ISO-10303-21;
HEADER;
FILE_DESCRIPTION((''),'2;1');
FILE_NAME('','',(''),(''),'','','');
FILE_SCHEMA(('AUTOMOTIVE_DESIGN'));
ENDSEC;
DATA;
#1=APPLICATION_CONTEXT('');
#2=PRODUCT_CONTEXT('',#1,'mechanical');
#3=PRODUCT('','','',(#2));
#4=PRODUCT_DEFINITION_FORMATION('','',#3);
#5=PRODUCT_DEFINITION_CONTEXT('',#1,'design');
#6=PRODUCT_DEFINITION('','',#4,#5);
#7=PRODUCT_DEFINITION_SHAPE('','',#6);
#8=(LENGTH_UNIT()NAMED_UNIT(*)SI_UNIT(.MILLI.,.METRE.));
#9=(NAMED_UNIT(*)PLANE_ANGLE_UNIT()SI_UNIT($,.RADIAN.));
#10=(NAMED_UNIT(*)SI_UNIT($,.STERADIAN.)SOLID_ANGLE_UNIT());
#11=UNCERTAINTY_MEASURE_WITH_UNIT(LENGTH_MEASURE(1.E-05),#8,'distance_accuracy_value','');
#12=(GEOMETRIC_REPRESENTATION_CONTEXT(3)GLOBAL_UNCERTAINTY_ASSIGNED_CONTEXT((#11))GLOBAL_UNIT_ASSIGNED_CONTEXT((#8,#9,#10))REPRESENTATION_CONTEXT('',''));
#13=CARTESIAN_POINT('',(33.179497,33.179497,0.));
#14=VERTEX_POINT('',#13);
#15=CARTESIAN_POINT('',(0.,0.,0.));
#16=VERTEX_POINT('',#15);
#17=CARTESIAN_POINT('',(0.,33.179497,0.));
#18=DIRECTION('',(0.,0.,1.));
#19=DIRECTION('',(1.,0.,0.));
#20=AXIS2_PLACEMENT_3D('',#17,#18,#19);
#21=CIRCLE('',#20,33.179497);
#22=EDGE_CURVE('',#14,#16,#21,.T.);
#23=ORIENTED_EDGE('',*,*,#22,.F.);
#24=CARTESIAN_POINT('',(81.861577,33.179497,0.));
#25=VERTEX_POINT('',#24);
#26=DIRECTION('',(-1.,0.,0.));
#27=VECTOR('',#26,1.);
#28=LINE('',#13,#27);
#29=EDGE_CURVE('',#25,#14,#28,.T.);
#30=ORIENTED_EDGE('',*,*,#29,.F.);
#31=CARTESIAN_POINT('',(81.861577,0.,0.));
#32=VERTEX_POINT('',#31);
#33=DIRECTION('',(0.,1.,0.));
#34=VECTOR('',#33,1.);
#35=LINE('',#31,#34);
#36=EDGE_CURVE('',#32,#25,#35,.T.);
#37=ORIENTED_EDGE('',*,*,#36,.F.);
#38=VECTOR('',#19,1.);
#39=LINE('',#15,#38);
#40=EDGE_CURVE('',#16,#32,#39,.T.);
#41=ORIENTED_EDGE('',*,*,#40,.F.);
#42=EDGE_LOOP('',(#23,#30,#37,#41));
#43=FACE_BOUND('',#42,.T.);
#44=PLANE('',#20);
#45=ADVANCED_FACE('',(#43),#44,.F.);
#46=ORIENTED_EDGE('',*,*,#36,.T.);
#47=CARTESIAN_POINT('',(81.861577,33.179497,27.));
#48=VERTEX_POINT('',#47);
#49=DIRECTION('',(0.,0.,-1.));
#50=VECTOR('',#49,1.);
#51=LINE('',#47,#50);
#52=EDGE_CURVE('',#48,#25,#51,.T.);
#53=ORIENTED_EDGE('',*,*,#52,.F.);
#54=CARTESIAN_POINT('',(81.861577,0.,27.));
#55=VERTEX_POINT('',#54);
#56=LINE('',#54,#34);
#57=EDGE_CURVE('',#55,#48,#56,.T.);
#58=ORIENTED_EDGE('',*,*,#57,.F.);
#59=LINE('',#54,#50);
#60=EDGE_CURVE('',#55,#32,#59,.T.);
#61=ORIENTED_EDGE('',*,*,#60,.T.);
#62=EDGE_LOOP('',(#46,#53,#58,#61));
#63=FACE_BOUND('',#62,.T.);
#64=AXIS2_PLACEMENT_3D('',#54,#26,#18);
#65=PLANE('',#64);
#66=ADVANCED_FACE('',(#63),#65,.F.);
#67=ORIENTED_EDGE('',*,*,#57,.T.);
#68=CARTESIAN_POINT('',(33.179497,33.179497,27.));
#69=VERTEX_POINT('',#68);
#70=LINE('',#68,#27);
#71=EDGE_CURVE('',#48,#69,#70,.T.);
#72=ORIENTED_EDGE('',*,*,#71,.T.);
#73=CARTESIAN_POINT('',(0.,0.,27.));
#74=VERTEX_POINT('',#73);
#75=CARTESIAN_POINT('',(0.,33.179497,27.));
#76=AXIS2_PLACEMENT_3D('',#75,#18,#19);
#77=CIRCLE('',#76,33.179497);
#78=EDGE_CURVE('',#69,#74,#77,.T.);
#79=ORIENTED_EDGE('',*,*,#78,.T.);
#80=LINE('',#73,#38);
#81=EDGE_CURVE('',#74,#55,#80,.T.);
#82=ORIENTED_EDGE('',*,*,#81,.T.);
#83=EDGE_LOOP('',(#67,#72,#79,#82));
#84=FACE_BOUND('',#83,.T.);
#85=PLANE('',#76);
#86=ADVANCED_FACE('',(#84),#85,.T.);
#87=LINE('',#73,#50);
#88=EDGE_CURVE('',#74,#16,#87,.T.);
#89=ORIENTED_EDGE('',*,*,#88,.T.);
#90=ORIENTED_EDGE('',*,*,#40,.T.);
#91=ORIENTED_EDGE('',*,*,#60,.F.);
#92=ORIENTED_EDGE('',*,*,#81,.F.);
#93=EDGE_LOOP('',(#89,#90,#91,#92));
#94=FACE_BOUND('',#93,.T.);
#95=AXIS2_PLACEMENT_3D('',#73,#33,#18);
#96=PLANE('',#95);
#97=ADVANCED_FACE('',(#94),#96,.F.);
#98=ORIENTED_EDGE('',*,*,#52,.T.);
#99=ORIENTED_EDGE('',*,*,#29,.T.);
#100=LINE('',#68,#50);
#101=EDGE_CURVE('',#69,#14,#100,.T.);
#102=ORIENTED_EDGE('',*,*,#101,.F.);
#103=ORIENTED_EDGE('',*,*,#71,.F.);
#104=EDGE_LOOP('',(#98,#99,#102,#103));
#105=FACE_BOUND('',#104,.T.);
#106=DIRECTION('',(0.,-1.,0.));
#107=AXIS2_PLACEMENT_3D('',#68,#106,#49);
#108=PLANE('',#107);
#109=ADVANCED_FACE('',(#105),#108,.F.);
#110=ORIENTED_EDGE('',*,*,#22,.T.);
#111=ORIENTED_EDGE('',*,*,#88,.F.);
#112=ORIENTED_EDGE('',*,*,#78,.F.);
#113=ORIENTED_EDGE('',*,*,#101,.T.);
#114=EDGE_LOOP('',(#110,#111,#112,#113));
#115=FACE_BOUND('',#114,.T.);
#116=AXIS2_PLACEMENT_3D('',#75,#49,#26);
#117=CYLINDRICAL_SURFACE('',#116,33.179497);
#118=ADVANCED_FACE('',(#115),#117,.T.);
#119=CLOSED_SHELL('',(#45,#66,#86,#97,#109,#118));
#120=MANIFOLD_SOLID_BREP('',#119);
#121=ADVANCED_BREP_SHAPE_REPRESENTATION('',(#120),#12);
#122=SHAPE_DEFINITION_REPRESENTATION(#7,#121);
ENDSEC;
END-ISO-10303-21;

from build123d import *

# Parameters (mm, degrees)
EXTRUDE_2_DEPTH = 27


with BuildPart() as part:
    # ｽｹｯﾁ1 → ﾎﾞｽ - 押し出し2 (new body)
    with BuildSketch(Plane.XY):
        with BuildLine():
            Line((0, 0), (81.861577277, 0))
            Line((81.861577277, 0), (81.861577277, 33.179496516))
            Line((81.861577277, 33.179496516), (33.179496516, 33.179496516))
            ThreePointArc((33.179496516, 33.179496516), (-23.461446983, 56.640943498), (0, 0))
        make_face()
    extrude(amount=EXTRUDE_2_DEPTH)


solid = part.part
